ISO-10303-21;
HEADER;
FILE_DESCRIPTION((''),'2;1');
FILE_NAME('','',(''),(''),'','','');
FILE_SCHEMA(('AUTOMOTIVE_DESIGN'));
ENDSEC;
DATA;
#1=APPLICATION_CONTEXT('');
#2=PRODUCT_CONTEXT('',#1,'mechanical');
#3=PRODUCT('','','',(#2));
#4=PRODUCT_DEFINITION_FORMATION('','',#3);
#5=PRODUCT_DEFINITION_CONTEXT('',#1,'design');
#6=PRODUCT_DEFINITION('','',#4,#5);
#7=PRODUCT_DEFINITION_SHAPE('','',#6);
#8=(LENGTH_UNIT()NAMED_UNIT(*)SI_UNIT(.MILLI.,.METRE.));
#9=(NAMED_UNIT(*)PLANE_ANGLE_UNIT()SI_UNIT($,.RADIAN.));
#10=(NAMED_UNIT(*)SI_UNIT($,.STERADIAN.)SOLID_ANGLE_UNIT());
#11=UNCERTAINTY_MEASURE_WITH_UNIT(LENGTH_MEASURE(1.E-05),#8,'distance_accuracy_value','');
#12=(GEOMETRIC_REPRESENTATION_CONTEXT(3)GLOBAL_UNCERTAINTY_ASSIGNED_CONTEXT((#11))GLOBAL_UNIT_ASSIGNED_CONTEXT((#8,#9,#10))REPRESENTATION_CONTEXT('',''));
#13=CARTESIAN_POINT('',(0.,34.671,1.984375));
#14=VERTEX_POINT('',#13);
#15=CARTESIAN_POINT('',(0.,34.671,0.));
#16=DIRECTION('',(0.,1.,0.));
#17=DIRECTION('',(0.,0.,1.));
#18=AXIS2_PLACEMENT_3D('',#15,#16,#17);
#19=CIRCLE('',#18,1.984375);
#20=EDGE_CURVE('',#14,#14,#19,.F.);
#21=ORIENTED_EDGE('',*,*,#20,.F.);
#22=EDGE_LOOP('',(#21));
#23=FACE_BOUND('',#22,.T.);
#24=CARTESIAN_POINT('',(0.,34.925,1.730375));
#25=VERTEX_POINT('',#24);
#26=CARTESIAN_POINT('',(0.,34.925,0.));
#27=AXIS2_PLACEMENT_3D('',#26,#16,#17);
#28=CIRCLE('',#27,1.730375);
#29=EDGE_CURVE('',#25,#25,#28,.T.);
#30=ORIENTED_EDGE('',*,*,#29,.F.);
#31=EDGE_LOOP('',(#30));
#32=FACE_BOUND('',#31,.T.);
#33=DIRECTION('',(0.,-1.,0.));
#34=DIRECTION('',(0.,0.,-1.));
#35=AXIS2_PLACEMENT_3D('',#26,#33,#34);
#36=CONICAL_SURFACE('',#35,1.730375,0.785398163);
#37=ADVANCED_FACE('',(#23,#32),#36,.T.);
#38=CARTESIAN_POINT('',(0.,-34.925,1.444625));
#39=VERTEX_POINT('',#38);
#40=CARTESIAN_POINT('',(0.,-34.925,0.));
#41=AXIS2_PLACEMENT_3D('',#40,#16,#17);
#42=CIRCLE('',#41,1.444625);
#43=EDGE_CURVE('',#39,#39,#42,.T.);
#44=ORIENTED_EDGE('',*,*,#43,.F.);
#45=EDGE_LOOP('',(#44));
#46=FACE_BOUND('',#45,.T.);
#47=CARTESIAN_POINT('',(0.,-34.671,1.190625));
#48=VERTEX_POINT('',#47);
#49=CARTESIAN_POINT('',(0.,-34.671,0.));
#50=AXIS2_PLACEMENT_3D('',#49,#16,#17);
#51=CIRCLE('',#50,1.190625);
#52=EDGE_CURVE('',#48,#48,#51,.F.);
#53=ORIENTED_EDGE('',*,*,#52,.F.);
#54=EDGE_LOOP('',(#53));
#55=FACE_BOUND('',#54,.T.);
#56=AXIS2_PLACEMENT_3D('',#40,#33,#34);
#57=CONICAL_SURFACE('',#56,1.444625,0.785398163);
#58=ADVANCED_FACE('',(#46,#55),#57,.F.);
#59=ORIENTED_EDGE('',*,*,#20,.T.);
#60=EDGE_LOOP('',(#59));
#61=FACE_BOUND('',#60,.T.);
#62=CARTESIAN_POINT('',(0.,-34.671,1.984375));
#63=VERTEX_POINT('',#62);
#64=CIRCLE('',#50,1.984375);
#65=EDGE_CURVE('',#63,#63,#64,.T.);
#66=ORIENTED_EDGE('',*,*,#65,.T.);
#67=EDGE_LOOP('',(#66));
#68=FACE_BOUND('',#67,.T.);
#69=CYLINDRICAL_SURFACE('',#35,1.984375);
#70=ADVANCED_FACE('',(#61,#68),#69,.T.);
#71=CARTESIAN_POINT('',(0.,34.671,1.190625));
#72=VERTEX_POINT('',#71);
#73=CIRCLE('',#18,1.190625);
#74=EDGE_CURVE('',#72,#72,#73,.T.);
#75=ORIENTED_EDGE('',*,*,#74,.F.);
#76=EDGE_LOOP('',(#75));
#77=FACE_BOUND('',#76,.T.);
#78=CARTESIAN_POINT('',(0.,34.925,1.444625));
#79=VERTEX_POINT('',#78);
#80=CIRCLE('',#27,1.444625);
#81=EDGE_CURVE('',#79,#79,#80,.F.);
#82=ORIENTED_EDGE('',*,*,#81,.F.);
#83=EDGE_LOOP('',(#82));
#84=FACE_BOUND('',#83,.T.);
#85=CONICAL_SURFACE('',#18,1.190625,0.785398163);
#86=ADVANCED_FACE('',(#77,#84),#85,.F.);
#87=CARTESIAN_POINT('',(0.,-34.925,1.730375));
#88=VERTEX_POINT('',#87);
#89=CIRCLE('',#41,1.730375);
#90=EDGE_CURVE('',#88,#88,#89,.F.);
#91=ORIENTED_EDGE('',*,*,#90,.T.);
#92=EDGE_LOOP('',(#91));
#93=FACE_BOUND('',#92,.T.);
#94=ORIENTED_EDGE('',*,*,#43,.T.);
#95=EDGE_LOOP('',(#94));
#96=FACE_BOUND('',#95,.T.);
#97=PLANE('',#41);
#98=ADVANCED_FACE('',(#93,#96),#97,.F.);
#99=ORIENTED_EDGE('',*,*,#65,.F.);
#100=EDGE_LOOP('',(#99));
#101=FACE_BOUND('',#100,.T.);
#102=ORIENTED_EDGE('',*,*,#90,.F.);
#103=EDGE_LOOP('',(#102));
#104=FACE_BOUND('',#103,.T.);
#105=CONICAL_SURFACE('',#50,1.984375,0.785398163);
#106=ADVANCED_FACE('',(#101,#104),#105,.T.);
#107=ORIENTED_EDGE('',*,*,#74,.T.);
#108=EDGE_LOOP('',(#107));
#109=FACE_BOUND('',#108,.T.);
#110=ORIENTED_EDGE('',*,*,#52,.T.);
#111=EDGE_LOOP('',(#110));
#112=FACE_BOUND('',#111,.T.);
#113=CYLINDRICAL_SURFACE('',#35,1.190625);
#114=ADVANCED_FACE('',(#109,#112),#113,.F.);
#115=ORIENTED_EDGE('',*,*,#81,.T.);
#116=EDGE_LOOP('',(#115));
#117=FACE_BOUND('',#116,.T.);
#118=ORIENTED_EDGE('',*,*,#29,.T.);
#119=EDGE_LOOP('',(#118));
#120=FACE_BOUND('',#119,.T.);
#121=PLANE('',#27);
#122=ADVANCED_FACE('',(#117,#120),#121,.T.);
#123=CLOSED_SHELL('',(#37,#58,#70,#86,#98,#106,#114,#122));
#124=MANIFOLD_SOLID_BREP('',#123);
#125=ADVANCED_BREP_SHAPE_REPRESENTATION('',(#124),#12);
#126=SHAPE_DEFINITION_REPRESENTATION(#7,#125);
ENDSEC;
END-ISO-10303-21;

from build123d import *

# Parameters (mm, degrees)
SKETCH1_R           = 1.984375
SKETCH1_R_2         = 1.190625
BOSS_EXTRUDE1_DEPTH = 34.925
CHAMFER1_SIZE       = 0.254


with BuildPart() as part:
    # Sketch1 → Boss-Extrude1 (new body, symmetric)
    with BuildSketch(Plane(origin=(0, 0, 0), x_dir=(1, 0, 0), z_dir=(0, 1, 0))):
        Circle(SKETCH1_R)
        Circle(SKETCH1_R_2, mode=Mode.SUBTRACT)
    extrude(amount=BOSS_EXTRUDE1_DEPTH, both=True)

    # Chamfer1
    chamfer1_edges = [part.edges().sort_by_distance(p)[0] for p in [
        (-1.984375, -34.925, 0),
        (-1.984375, 34.925, 0),
        (-1.190625, -34.925, 0),
        (-1.190625, 34.925, 0),
    ]]
    chamfer(chamfer1_edges, length=CHAMFER1_SIZE)


solid = part.part
